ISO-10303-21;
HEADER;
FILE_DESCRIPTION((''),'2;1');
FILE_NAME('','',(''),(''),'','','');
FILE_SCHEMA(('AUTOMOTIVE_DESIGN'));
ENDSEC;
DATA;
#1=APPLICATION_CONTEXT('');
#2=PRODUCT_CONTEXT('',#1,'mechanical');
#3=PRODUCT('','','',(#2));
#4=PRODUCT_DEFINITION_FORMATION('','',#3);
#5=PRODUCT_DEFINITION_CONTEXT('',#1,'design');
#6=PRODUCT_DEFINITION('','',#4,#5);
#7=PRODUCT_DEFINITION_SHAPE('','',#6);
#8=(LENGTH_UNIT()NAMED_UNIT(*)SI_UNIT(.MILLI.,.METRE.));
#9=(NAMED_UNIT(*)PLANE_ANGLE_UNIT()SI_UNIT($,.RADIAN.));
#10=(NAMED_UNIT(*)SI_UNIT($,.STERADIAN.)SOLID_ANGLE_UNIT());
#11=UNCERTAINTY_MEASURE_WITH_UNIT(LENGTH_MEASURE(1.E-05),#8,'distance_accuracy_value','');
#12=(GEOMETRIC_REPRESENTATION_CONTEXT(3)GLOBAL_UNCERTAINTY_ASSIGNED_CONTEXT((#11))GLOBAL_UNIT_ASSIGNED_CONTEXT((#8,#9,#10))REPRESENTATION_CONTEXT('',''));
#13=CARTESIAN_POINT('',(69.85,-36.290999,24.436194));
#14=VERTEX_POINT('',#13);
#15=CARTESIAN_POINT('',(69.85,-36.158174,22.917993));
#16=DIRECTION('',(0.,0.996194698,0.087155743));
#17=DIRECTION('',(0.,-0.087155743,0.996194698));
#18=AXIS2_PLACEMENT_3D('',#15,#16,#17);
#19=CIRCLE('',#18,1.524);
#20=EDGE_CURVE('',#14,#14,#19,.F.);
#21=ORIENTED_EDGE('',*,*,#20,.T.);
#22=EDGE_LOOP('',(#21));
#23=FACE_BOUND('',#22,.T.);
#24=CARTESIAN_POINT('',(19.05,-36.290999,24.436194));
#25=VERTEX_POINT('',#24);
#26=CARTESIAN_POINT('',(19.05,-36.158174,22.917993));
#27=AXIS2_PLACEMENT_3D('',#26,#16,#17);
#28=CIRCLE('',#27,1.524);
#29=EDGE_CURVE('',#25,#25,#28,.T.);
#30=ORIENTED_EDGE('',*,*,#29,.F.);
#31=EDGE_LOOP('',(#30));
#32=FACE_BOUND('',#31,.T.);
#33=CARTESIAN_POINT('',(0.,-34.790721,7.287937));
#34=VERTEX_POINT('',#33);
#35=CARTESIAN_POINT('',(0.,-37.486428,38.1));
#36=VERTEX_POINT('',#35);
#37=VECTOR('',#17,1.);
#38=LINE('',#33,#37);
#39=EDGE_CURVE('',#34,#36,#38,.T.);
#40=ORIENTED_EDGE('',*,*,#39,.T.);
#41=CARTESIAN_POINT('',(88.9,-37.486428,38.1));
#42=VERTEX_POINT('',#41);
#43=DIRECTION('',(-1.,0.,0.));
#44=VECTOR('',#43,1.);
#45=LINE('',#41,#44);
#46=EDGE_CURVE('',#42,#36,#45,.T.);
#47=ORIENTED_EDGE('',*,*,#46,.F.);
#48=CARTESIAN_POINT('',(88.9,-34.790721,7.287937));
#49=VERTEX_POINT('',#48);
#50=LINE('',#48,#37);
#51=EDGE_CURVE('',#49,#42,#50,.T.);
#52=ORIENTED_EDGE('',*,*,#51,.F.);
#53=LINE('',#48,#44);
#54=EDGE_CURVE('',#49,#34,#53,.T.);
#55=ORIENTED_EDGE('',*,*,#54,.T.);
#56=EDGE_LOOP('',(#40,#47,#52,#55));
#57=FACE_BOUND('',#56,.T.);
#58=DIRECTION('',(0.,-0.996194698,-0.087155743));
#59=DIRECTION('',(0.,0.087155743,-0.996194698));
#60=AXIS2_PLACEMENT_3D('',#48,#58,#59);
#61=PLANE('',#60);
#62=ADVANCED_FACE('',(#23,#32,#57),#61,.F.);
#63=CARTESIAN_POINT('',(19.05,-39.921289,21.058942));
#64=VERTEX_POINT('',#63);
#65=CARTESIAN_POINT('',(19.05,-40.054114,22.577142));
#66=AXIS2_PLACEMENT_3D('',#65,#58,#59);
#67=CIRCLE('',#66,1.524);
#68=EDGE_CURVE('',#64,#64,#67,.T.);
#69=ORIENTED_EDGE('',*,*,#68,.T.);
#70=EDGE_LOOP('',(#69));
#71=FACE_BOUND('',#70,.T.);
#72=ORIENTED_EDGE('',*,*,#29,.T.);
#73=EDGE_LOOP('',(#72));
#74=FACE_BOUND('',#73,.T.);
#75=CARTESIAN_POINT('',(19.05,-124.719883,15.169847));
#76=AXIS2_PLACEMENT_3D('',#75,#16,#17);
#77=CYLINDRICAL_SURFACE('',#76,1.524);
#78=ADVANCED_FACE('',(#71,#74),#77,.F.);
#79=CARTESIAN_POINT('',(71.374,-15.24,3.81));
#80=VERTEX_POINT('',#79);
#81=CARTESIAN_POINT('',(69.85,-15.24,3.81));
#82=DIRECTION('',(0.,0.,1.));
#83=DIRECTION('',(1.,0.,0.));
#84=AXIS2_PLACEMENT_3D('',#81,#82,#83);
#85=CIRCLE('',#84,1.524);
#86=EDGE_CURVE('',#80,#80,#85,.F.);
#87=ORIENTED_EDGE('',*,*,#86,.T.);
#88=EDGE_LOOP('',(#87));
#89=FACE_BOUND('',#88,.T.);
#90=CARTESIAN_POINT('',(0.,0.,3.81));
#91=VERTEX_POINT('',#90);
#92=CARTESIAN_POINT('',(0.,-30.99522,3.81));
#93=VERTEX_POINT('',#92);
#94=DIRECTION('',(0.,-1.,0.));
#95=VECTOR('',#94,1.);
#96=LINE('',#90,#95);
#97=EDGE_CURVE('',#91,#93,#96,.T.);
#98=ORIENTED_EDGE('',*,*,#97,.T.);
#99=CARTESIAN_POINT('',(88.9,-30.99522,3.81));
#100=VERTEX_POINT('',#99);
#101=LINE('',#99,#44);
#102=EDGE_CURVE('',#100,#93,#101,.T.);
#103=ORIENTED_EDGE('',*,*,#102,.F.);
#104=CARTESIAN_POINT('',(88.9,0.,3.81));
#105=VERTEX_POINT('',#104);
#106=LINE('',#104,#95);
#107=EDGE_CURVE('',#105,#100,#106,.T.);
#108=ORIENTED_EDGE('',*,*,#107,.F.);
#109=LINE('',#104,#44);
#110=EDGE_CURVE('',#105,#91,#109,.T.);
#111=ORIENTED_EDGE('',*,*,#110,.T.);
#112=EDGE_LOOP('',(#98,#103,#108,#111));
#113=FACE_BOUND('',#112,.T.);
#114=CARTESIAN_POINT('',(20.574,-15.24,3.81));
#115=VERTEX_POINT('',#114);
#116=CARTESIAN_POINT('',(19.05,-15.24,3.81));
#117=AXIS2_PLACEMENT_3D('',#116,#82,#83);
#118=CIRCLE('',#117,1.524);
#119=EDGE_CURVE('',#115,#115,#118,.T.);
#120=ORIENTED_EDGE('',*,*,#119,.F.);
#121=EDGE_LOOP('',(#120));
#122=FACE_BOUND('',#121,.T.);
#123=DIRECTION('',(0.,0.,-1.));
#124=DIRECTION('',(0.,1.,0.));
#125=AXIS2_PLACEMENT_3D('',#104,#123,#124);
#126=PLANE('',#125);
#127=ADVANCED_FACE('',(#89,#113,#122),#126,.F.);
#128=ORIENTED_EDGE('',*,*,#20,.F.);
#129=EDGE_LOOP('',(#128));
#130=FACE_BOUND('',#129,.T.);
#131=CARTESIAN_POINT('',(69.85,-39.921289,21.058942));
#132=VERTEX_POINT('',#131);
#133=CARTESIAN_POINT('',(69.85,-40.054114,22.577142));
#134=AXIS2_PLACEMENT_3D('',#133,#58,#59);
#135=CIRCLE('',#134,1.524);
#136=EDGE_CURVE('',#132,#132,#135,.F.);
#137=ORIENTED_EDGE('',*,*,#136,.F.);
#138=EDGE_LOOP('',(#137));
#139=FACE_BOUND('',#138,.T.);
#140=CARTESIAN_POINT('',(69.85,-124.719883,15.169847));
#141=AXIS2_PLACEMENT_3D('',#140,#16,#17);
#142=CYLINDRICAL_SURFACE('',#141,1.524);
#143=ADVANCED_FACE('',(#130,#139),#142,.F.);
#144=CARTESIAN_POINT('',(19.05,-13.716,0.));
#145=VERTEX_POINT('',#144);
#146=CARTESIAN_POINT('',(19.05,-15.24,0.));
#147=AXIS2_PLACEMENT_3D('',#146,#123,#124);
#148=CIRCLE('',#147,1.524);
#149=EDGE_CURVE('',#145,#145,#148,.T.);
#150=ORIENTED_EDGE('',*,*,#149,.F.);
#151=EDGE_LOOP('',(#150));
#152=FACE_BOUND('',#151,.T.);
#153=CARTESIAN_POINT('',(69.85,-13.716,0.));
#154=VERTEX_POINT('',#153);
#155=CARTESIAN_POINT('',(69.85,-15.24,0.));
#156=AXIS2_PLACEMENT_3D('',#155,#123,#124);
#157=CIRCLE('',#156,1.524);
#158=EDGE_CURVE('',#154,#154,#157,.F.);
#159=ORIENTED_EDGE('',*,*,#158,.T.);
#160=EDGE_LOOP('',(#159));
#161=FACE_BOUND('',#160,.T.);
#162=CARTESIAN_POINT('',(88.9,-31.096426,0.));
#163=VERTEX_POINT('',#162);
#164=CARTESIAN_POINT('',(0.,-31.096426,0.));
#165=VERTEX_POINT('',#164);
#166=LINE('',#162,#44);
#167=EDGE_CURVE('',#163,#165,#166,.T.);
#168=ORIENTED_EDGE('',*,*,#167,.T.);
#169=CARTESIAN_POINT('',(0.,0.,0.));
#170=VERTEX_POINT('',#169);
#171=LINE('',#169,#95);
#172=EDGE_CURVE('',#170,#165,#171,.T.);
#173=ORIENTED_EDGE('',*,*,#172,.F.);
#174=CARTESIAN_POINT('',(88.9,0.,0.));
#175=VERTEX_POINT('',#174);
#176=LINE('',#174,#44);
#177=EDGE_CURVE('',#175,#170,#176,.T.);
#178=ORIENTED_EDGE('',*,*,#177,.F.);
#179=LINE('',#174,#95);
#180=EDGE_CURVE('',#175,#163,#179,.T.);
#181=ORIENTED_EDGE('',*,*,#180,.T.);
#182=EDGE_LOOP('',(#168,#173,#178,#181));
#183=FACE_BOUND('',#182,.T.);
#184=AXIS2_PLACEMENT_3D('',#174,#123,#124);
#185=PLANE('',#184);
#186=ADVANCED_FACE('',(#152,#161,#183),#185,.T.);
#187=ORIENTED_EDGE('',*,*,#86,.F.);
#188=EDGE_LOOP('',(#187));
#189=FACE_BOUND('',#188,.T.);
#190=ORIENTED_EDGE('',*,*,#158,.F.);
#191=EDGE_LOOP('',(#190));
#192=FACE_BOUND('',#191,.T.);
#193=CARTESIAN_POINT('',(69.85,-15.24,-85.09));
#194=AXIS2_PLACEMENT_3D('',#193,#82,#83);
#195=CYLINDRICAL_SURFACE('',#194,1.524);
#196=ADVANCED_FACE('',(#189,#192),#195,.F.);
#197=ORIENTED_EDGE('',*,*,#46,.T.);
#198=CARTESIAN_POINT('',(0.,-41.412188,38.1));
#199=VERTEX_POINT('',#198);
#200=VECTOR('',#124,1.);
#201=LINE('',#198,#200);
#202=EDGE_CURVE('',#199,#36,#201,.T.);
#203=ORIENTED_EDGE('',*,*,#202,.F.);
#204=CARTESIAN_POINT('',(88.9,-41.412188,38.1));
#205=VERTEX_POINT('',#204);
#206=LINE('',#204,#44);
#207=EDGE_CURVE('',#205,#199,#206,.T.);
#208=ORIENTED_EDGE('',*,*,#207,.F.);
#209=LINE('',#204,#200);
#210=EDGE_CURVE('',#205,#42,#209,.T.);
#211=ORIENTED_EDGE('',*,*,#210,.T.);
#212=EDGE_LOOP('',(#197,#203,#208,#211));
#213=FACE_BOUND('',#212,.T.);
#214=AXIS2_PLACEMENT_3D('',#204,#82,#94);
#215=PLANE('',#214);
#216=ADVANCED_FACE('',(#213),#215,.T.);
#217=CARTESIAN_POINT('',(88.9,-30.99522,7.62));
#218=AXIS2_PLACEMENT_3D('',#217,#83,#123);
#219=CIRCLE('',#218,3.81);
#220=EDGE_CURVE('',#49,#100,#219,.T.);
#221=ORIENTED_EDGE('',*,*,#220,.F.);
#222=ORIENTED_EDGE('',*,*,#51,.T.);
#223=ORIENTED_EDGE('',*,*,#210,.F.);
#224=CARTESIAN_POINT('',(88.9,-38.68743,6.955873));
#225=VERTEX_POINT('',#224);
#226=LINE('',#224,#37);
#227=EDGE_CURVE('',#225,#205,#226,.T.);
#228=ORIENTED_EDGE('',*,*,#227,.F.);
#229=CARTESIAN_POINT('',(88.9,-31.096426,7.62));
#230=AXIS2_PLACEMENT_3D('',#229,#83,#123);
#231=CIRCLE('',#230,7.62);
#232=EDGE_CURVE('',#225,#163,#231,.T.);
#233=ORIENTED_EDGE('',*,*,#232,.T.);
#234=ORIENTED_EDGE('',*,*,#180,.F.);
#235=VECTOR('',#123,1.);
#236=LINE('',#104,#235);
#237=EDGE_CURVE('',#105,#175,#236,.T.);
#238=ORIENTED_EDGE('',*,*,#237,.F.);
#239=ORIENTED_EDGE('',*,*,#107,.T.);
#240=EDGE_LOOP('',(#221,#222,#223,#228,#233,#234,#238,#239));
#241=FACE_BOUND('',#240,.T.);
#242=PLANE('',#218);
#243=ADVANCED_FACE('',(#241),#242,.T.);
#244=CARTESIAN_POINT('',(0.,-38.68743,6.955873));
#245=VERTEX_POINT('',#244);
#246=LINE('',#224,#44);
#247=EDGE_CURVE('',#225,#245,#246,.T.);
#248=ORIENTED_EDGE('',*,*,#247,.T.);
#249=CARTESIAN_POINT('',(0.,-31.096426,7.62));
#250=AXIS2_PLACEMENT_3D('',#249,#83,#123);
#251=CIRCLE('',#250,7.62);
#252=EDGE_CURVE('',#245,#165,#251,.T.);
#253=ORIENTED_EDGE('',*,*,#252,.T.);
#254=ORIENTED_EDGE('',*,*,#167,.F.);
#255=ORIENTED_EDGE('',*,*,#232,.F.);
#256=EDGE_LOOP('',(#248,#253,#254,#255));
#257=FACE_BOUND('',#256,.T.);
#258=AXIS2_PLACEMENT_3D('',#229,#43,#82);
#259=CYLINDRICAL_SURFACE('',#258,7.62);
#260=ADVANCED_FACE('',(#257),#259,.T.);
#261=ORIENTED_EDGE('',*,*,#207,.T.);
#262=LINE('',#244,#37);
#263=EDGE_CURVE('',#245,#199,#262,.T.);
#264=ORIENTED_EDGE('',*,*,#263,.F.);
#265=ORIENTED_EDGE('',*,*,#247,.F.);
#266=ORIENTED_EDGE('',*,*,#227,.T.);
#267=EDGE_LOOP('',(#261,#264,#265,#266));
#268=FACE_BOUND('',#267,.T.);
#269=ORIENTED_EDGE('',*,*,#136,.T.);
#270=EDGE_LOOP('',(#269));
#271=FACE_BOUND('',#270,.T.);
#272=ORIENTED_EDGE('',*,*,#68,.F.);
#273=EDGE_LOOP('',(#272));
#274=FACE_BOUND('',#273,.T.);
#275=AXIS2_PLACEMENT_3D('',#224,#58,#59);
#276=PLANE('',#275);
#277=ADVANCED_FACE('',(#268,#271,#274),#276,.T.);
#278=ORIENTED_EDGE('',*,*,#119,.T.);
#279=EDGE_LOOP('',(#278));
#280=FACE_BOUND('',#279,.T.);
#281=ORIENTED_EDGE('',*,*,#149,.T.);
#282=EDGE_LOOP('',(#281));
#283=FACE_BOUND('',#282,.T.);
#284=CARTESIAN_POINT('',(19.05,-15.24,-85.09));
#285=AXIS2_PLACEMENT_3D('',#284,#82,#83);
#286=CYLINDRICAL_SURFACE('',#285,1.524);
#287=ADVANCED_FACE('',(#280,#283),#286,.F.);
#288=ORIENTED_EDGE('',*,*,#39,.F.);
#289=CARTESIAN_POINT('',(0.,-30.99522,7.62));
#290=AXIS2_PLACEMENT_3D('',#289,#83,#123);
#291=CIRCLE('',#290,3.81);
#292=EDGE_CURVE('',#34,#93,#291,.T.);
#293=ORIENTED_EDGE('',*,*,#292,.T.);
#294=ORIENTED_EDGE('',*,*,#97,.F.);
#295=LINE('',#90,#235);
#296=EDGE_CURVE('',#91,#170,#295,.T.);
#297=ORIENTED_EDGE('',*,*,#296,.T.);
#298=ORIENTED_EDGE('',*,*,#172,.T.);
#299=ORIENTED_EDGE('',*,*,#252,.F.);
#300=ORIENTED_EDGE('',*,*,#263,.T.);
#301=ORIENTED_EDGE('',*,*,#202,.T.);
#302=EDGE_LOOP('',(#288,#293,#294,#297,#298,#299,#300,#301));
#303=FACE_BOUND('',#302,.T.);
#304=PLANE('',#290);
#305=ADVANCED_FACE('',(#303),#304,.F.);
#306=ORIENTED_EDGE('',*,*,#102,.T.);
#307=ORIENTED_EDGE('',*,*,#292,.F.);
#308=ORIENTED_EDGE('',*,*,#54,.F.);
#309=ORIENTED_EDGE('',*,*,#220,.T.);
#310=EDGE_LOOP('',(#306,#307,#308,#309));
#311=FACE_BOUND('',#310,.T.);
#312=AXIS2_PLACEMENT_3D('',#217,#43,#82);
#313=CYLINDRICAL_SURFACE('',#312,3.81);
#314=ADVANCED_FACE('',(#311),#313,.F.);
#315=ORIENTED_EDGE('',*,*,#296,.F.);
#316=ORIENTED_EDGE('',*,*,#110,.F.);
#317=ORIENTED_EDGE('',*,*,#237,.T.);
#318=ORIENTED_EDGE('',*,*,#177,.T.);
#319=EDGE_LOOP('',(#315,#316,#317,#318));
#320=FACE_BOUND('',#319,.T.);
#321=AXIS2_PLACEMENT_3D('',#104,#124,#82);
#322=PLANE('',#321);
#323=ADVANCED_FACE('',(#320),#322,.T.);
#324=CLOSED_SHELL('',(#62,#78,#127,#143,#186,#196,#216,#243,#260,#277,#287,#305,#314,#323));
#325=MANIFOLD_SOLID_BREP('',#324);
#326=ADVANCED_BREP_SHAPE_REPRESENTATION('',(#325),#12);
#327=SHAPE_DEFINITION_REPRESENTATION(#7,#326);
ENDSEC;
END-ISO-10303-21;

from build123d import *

# Parameters (mm, degrees)
BOSS_EXTRUDE1_DEPTH = 88.9
SKETCH13_R          = 1.524
CUT_EXTRUDE1_DEPTH  = 88.9
SKETCH12_R          = 1.524
CUT_EXTRUDE2_DEPTH  = 88.9


with BuildPart() as part:
    # Sketch11 → Boss-Extrude1 (new body)
    with BuildSketch(Plane(origin=(0, 0, 0), x_dir=(0, 0, -1), z_dir=(1, 0, 0))):
        with BuildLine():
            Line((0, 0), (0, -31.09642636))
            ThreePointArc((0, -31.09642636), (-2.001946694, -36.244423742), (-6.95587324, -38.68742996))
            Line((-6.95587324, -38.68742996), (-38.1, -41.412187987))
            Line((-38.1, -41.412187987), (-38.1, -37.486427648))
            Line((-38.1, -37.486427648), (-7.28793662, -34.790721402))
            ThreePointArc((-7.28793662, -34.790721402), (-4.810973347, -33.569218294), (-3.81, -30.995219603))
            Line((-3.81, -30.995219603), (-3.81, 0))
            Line((-3.81, 0), (0, 0))
        make_face()
    extrude(amount=BOSS_EXTRUDE1_DEPTH)

    # Sketch13 → Cut-Extrude1 (cut)
    with BuildSketch(Plane.XY.offset(3.81)):
        with Locations((69.85, -15.24)):
            Circle(SKETCH13_R)
        with Locations((19.05, -15.24)):
            Circle(SKETCH13_R)
    extrude(amount=-CUT_EXTRUDE1_DEPTH, mode=Mode.SUBTRACT)

    # Sketch12 → Cut-Extrude2 (cut)
    with BuildSketch(Plane(origin=(0, -33.89367833, -2.965312619), x_dir=(1, 0, 0), z_dir=(0, 0.9961946980917459, 0.08715574274765452))):
        with Locations(Location((69.85, -25.982175442, 0), (0, 0, 270))):
            Circle(SKETCH12_R)
        with Locations(Location((19.05, -25.982175442, 0), (0, 0, 270))):
            Circle(SKETCH12_R)
    extrude(amount=-CUT_EXTRUDE2_DEPTH, mode=Mode.SUBTRACT)


solid = part.part
